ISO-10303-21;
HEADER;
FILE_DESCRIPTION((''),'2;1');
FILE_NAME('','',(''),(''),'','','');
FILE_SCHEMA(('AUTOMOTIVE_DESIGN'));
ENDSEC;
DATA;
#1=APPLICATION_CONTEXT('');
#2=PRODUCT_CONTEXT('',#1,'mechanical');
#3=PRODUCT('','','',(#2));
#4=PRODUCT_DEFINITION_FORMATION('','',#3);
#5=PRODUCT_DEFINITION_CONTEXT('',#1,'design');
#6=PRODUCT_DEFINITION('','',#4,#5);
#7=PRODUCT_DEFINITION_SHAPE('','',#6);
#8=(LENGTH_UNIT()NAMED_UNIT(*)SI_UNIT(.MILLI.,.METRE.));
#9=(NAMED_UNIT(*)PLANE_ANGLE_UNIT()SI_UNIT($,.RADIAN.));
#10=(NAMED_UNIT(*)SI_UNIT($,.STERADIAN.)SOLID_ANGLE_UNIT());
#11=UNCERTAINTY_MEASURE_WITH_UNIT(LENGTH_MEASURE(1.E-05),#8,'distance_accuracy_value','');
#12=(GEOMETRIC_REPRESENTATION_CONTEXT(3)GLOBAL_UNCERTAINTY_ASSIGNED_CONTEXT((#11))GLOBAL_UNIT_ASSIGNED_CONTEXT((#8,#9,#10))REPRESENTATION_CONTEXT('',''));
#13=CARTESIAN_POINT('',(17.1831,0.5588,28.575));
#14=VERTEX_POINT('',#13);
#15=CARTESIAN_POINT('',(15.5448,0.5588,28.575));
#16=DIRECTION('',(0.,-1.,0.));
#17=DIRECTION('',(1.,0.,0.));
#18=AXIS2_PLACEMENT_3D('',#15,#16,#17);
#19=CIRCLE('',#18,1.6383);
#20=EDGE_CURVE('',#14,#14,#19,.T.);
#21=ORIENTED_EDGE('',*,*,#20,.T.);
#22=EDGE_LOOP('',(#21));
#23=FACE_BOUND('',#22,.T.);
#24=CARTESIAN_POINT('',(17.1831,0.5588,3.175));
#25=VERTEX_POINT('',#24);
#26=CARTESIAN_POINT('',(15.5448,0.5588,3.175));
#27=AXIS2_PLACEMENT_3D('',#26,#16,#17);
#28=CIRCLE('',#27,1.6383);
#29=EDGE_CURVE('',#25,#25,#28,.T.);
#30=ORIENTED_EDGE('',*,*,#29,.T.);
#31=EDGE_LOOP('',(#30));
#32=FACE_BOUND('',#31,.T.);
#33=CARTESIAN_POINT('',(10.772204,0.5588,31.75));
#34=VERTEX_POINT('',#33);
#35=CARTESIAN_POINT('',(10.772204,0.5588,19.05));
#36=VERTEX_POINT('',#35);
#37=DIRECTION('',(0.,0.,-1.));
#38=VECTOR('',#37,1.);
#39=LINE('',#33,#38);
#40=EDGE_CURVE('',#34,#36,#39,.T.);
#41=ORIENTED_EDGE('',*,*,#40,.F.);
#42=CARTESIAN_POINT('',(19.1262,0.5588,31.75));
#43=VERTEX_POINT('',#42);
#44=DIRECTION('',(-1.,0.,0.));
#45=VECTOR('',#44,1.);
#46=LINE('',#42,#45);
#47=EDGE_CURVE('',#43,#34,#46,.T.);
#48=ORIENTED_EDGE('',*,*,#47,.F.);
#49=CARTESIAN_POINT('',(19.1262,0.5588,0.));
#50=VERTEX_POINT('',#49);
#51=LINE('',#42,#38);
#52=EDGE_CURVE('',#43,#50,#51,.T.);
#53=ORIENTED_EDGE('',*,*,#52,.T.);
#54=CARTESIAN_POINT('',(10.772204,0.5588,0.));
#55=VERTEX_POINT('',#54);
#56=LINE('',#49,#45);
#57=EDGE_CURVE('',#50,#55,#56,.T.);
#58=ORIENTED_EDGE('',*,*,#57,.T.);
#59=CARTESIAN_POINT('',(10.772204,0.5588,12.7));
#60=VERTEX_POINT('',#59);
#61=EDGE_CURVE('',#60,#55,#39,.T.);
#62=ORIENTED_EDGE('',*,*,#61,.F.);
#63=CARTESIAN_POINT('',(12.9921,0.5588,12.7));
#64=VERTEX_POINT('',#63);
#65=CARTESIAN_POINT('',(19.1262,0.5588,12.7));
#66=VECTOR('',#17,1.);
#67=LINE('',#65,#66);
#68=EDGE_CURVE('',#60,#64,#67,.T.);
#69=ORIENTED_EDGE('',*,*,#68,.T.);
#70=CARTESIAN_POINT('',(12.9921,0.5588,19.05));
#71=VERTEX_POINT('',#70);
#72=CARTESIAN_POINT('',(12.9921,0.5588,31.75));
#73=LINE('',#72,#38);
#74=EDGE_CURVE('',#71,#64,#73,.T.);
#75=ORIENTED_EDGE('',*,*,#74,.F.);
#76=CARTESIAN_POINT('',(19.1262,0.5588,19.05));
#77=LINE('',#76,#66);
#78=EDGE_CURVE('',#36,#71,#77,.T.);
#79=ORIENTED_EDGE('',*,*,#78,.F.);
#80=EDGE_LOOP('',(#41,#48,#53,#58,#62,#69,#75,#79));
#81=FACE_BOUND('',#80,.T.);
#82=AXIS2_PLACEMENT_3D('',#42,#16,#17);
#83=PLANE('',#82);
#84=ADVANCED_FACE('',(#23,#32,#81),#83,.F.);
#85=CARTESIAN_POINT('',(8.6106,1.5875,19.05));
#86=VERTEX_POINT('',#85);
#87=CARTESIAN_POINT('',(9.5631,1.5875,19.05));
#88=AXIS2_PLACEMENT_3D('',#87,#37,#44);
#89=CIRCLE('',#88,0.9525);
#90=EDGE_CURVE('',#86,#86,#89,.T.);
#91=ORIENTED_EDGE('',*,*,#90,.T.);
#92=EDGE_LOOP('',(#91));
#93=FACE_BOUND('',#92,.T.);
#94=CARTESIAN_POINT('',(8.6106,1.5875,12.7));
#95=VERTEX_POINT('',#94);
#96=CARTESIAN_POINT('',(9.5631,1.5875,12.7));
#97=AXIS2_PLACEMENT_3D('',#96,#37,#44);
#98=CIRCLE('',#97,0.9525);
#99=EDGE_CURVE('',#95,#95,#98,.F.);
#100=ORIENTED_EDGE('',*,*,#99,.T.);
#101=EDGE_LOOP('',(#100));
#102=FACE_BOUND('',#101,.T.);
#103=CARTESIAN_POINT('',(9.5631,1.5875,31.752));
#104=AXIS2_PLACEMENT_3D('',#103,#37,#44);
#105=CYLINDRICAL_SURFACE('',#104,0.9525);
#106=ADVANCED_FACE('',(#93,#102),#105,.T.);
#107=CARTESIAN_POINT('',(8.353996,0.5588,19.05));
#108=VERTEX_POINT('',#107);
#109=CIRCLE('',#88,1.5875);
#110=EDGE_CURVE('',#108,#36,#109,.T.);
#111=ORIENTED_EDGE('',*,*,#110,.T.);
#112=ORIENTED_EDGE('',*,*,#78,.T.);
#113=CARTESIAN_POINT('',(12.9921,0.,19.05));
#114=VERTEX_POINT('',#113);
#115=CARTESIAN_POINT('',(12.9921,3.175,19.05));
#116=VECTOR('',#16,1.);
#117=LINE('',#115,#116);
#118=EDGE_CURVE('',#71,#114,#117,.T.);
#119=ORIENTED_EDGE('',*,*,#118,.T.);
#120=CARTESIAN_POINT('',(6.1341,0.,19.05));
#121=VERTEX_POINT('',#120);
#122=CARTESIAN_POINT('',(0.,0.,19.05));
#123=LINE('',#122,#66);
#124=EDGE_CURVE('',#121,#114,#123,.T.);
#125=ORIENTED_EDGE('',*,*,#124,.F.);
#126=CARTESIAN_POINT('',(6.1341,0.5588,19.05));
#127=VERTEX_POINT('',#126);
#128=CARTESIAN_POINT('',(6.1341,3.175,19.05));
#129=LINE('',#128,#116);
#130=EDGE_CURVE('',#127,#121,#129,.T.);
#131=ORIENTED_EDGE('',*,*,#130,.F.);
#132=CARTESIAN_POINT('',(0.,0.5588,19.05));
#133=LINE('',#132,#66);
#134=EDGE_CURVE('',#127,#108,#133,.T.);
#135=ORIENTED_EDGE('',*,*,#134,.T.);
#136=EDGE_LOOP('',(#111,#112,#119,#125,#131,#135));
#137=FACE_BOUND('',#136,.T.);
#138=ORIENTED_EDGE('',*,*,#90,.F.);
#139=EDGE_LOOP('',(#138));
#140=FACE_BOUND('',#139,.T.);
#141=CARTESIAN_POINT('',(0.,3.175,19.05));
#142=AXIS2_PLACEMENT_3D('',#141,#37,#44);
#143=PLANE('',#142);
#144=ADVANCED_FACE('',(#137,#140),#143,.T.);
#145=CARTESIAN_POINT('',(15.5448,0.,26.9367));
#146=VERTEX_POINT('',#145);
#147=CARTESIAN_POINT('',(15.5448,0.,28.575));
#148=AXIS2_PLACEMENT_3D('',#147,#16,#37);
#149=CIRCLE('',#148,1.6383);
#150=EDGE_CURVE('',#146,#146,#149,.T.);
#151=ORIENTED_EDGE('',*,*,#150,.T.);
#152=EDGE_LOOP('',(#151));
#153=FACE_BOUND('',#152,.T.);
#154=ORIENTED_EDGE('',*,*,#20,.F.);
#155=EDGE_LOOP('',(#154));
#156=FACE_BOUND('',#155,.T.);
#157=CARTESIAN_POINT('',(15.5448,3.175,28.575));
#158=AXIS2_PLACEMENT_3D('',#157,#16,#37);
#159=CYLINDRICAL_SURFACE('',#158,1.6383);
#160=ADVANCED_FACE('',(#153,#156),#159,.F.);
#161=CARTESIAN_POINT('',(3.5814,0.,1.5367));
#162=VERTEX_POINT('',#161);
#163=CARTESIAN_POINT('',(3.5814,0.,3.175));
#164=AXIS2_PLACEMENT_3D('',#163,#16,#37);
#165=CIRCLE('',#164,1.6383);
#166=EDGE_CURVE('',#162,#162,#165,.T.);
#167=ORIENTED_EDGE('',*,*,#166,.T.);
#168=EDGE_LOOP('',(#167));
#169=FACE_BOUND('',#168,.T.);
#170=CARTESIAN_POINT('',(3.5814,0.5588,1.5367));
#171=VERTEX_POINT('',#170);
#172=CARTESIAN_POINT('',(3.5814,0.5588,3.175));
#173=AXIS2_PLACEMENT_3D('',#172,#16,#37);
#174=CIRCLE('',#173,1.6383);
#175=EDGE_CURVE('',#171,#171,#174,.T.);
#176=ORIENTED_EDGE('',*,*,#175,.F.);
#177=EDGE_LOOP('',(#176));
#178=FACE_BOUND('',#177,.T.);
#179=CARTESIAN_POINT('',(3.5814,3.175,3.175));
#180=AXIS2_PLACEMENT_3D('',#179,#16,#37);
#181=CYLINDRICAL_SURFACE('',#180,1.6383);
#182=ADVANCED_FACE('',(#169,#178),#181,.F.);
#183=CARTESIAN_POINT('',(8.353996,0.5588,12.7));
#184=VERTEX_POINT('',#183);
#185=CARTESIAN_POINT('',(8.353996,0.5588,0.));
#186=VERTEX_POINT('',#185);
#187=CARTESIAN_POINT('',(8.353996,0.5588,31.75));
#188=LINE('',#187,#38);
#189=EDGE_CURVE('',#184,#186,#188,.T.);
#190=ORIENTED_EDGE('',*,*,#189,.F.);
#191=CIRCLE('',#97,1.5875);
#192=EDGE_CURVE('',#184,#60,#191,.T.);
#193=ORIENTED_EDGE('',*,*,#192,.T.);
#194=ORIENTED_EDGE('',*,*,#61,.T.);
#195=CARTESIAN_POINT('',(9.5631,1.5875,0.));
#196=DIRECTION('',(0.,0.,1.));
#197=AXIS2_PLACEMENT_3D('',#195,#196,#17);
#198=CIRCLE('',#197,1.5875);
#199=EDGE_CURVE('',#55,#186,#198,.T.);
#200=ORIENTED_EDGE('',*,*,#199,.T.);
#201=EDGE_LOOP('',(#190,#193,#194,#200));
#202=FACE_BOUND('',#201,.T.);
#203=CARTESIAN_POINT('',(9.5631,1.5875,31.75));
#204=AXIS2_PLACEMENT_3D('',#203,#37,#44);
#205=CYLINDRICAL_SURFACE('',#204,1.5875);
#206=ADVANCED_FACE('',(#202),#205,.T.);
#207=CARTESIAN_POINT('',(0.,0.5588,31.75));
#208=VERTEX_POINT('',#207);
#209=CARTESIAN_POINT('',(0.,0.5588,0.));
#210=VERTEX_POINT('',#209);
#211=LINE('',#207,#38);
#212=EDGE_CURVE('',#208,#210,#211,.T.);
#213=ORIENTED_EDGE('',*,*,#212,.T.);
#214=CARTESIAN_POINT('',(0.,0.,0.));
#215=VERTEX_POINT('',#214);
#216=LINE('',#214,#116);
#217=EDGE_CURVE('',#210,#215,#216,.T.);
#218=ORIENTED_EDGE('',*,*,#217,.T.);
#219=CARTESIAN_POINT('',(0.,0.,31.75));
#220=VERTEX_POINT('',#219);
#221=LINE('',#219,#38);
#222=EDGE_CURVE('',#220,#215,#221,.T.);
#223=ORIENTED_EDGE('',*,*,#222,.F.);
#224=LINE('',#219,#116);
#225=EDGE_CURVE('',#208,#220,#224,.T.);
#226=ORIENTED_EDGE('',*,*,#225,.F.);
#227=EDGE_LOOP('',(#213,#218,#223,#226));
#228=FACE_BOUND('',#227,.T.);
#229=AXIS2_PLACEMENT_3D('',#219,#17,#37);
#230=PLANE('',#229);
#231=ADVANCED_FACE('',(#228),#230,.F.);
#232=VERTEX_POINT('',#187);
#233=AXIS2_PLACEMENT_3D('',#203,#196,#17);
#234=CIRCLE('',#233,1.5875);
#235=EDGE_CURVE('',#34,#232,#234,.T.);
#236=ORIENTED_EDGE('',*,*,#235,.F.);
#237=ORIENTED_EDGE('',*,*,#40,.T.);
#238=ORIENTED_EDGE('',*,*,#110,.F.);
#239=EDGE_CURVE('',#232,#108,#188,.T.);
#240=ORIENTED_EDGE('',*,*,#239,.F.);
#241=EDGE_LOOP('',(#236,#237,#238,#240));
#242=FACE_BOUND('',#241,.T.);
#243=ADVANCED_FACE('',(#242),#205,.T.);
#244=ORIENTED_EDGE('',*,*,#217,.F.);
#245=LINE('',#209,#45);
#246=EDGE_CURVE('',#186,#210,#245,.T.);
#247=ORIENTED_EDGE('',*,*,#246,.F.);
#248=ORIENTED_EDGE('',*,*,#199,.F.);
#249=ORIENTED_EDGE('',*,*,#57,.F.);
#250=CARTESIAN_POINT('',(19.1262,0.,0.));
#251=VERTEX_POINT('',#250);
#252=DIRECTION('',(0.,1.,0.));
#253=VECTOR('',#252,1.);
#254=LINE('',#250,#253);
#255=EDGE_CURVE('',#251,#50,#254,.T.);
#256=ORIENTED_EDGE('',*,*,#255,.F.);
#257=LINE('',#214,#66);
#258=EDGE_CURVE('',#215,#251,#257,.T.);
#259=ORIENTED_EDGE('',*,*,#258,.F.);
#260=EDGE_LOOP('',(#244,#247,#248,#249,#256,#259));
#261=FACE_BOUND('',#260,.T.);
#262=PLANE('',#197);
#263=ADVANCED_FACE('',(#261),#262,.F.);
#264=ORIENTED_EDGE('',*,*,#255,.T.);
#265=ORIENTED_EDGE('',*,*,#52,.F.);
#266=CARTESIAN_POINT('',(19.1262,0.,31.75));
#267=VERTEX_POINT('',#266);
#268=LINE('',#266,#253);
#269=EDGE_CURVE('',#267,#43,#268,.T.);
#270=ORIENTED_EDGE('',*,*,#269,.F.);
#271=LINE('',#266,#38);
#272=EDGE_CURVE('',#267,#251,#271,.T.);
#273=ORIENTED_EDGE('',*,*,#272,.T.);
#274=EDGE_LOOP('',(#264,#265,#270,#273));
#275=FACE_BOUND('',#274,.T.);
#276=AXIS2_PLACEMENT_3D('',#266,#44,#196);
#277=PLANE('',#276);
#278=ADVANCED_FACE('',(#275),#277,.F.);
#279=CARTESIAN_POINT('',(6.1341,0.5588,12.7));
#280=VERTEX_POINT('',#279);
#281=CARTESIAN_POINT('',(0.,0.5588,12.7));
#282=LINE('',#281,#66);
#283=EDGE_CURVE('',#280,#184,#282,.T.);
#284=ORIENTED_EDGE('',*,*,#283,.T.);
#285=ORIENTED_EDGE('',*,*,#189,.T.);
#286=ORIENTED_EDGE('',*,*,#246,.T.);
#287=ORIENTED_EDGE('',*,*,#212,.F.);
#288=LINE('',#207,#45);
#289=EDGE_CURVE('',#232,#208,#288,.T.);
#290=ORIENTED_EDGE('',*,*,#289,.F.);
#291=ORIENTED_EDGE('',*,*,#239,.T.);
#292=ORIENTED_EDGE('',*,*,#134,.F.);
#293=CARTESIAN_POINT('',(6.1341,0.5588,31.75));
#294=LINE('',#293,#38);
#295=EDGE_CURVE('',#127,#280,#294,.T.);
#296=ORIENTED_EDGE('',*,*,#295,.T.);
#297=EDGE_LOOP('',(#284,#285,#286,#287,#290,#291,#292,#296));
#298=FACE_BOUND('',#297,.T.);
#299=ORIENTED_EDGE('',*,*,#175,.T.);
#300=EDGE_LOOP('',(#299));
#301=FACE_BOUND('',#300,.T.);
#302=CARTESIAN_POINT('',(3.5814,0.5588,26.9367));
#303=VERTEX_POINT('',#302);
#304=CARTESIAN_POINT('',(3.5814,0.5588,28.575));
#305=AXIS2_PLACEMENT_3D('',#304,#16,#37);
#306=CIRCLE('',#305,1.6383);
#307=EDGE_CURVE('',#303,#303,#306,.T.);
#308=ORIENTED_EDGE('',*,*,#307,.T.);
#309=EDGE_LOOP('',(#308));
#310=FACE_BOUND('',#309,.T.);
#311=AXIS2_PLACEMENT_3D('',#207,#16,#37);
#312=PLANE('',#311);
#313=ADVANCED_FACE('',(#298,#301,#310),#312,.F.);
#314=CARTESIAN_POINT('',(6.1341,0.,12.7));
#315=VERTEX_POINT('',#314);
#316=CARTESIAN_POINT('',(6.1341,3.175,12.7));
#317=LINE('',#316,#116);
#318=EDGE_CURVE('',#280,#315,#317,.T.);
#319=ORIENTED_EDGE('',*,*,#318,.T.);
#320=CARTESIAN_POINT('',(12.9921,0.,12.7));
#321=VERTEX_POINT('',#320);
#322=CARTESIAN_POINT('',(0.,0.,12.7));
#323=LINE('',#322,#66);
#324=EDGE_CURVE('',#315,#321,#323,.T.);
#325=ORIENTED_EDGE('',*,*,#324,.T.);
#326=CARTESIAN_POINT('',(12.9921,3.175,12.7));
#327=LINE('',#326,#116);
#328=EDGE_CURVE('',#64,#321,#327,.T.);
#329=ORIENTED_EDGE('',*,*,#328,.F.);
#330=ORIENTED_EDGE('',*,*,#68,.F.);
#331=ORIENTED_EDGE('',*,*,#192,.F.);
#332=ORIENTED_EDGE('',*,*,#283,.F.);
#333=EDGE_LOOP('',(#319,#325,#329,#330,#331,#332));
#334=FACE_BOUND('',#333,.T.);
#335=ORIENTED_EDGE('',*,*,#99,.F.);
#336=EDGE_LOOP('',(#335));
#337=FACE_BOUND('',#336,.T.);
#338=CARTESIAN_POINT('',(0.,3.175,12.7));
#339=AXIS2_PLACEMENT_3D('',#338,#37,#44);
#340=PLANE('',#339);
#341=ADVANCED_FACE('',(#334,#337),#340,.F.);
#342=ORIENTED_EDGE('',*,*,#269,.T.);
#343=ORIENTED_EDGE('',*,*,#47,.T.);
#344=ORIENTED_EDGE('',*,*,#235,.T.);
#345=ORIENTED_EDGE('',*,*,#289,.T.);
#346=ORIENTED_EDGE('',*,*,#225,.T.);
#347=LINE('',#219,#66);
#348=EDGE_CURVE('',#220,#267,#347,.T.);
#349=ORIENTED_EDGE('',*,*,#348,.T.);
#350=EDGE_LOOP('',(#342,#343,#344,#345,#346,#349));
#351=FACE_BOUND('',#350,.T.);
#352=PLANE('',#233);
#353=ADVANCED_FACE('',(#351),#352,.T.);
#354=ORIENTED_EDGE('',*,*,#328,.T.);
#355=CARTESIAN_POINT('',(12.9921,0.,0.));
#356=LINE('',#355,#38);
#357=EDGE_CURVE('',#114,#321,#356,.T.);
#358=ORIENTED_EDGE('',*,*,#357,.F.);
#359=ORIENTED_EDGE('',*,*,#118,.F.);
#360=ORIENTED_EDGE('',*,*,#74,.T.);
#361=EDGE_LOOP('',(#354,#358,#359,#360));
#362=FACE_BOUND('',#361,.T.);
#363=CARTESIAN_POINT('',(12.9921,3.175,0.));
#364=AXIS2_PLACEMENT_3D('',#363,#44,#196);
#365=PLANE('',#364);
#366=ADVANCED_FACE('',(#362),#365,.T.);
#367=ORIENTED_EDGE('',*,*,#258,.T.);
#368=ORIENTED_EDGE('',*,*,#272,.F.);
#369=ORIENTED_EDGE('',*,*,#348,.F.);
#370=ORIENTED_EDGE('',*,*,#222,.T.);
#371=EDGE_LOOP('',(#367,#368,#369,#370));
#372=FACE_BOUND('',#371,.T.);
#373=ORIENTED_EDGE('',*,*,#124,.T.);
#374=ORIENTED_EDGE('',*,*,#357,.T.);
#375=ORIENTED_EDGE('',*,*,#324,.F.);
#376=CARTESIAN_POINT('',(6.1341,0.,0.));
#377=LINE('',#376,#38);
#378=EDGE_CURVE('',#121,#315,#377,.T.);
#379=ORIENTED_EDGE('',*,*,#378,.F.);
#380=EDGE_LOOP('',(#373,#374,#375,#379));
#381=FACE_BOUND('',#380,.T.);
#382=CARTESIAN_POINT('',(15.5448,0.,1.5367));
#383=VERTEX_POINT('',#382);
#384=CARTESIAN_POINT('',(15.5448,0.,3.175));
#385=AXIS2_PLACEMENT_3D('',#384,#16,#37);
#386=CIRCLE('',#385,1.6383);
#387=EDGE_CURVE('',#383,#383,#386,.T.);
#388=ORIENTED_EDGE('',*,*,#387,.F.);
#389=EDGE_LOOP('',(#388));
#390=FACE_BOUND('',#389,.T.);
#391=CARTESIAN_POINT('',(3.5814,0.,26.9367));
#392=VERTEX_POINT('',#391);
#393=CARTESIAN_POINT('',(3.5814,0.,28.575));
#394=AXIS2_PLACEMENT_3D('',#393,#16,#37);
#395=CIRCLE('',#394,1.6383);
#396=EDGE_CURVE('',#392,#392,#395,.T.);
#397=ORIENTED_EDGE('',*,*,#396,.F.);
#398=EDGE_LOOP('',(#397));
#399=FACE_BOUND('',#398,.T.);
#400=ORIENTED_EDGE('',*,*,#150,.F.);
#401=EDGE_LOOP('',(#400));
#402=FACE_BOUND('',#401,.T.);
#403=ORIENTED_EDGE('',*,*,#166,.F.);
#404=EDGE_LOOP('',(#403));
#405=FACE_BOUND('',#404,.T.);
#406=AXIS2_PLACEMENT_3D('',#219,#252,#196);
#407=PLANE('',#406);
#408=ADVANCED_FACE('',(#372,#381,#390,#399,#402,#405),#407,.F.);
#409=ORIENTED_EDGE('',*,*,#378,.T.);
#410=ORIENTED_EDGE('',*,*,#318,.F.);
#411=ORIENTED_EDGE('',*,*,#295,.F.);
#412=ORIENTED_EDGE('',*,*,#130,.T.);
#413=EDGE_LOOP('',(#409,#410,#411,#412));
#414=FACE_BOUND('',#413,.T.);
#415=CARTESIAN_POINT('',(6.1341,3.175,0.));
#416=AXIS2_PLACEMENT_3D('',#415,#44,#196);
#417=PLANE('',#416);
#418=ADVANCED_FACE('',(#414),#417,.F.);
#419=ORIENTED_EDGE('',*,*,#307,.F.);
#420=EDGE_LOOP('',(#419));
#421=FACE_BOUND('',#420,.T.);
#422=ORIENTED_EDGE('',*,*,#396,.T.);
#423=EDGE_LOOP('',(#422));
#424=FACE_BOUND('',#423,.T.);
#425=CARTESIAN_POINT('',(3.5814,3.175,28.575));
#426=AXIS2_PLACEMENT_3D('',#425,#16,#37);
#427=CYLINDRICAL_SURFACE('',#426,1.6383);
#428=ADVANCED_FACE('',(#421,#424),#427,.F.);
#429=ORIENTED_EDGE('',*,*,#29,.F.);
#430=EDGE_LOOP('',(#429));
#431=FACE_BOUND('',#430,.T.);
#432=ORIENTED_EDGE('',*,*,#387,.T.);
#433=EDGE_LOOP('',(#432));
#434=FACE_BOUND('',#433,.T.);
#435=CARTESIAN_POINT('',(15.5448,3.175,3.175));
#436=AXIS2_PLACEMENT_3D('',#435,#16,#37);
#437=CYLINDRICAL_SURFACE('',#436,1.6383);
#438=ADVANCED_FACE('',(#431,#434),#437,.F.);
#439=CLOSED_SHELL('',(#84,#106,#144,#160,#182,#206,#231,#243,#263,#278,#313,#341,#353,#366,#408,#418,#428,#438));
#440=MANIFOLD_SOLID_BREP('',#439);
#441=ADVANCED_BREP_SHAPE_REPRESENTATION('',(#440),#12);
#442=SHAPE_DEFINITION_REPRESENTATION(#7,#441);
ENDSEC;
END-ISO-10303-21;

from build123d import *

# Parameters (mm, degrees)
BOSS_EXTRUDE1_DEPTH = 31.75
SKETCH3_W           = 6.858
SKETCH3_H           = 6.35
SKETCH3_R           = 1.6383
CUT_EXTRUDE1_DEPTH  = 4.175
BOSS_EXTRUDE2_REACH = 21.05
SKETCH4_R           = 0.9525


with BuildPart() as part:
    # Sketch1 → Boss-Extrude1 (new body)
    with BuildSketch(Plane.XY):
        with BuildLine():
            Line((0, 0), (19.1262, 0))
            Line((19.1262, 0), (19.1262, 0.5588))
            Line((19.1262, 0.5588), (10.772204032, 0.5588))
            ThreePointArc((10.772204032, 0.5588), (9.5631, 3.175), (8.353995968, 0.5588))
            Line((8.353995968, 0.5588), (0, 0.5588))
            Line((0, 0.5588), (0, 0))
        make_face()
    extrude(amount=BOSS_EXTRUDE1_DEPTH)

    # Sketch3 → Cut-Extrude1 (cut, through all)
    with BuildSketch(Plane.XZ):
        with Locations((9.5631, 15.875)):
            Rectangle(SKETCH3_W, SKETCH3_H)
        with Locations((3.5814, 28.575)):
            Circle(SKETCH3_R)
        with Locations((15.5448, 28.575)):
            Circle(SKETCH3_R)
        with Locations((15.5448, 3.175)):
            Circle(SKETCH3_R)
        with Locations((3.5814, 3.175)):
            Circle(SKETCH3_R)
    extrude(amount=-CUT_EXTRUDE1_DEPTH, mode=Mode.SUBTRACT)

    # Sketch4 → Boss-Extrude2 (add, up to next)
    with BuildSketch(Plane.XY.offset(12.7), mode=Mode.PRIVATE) as boss_extrude2_sk1:
        with Locations((9.5631, 1.5875)):
            Circle(SKETCH4_R)
    boss_extrude2_tool1 = extrude(boss_extrude2_sk1.sketch, amount=BOSS_EXTRUDE2_REACH, mode=Mode.PRIVATE) - part.part
    add(boss_extrude2_tool1.solids().sort_by_distance((9.5631, 1.5875, 12.7))[0])


solid = part.part
